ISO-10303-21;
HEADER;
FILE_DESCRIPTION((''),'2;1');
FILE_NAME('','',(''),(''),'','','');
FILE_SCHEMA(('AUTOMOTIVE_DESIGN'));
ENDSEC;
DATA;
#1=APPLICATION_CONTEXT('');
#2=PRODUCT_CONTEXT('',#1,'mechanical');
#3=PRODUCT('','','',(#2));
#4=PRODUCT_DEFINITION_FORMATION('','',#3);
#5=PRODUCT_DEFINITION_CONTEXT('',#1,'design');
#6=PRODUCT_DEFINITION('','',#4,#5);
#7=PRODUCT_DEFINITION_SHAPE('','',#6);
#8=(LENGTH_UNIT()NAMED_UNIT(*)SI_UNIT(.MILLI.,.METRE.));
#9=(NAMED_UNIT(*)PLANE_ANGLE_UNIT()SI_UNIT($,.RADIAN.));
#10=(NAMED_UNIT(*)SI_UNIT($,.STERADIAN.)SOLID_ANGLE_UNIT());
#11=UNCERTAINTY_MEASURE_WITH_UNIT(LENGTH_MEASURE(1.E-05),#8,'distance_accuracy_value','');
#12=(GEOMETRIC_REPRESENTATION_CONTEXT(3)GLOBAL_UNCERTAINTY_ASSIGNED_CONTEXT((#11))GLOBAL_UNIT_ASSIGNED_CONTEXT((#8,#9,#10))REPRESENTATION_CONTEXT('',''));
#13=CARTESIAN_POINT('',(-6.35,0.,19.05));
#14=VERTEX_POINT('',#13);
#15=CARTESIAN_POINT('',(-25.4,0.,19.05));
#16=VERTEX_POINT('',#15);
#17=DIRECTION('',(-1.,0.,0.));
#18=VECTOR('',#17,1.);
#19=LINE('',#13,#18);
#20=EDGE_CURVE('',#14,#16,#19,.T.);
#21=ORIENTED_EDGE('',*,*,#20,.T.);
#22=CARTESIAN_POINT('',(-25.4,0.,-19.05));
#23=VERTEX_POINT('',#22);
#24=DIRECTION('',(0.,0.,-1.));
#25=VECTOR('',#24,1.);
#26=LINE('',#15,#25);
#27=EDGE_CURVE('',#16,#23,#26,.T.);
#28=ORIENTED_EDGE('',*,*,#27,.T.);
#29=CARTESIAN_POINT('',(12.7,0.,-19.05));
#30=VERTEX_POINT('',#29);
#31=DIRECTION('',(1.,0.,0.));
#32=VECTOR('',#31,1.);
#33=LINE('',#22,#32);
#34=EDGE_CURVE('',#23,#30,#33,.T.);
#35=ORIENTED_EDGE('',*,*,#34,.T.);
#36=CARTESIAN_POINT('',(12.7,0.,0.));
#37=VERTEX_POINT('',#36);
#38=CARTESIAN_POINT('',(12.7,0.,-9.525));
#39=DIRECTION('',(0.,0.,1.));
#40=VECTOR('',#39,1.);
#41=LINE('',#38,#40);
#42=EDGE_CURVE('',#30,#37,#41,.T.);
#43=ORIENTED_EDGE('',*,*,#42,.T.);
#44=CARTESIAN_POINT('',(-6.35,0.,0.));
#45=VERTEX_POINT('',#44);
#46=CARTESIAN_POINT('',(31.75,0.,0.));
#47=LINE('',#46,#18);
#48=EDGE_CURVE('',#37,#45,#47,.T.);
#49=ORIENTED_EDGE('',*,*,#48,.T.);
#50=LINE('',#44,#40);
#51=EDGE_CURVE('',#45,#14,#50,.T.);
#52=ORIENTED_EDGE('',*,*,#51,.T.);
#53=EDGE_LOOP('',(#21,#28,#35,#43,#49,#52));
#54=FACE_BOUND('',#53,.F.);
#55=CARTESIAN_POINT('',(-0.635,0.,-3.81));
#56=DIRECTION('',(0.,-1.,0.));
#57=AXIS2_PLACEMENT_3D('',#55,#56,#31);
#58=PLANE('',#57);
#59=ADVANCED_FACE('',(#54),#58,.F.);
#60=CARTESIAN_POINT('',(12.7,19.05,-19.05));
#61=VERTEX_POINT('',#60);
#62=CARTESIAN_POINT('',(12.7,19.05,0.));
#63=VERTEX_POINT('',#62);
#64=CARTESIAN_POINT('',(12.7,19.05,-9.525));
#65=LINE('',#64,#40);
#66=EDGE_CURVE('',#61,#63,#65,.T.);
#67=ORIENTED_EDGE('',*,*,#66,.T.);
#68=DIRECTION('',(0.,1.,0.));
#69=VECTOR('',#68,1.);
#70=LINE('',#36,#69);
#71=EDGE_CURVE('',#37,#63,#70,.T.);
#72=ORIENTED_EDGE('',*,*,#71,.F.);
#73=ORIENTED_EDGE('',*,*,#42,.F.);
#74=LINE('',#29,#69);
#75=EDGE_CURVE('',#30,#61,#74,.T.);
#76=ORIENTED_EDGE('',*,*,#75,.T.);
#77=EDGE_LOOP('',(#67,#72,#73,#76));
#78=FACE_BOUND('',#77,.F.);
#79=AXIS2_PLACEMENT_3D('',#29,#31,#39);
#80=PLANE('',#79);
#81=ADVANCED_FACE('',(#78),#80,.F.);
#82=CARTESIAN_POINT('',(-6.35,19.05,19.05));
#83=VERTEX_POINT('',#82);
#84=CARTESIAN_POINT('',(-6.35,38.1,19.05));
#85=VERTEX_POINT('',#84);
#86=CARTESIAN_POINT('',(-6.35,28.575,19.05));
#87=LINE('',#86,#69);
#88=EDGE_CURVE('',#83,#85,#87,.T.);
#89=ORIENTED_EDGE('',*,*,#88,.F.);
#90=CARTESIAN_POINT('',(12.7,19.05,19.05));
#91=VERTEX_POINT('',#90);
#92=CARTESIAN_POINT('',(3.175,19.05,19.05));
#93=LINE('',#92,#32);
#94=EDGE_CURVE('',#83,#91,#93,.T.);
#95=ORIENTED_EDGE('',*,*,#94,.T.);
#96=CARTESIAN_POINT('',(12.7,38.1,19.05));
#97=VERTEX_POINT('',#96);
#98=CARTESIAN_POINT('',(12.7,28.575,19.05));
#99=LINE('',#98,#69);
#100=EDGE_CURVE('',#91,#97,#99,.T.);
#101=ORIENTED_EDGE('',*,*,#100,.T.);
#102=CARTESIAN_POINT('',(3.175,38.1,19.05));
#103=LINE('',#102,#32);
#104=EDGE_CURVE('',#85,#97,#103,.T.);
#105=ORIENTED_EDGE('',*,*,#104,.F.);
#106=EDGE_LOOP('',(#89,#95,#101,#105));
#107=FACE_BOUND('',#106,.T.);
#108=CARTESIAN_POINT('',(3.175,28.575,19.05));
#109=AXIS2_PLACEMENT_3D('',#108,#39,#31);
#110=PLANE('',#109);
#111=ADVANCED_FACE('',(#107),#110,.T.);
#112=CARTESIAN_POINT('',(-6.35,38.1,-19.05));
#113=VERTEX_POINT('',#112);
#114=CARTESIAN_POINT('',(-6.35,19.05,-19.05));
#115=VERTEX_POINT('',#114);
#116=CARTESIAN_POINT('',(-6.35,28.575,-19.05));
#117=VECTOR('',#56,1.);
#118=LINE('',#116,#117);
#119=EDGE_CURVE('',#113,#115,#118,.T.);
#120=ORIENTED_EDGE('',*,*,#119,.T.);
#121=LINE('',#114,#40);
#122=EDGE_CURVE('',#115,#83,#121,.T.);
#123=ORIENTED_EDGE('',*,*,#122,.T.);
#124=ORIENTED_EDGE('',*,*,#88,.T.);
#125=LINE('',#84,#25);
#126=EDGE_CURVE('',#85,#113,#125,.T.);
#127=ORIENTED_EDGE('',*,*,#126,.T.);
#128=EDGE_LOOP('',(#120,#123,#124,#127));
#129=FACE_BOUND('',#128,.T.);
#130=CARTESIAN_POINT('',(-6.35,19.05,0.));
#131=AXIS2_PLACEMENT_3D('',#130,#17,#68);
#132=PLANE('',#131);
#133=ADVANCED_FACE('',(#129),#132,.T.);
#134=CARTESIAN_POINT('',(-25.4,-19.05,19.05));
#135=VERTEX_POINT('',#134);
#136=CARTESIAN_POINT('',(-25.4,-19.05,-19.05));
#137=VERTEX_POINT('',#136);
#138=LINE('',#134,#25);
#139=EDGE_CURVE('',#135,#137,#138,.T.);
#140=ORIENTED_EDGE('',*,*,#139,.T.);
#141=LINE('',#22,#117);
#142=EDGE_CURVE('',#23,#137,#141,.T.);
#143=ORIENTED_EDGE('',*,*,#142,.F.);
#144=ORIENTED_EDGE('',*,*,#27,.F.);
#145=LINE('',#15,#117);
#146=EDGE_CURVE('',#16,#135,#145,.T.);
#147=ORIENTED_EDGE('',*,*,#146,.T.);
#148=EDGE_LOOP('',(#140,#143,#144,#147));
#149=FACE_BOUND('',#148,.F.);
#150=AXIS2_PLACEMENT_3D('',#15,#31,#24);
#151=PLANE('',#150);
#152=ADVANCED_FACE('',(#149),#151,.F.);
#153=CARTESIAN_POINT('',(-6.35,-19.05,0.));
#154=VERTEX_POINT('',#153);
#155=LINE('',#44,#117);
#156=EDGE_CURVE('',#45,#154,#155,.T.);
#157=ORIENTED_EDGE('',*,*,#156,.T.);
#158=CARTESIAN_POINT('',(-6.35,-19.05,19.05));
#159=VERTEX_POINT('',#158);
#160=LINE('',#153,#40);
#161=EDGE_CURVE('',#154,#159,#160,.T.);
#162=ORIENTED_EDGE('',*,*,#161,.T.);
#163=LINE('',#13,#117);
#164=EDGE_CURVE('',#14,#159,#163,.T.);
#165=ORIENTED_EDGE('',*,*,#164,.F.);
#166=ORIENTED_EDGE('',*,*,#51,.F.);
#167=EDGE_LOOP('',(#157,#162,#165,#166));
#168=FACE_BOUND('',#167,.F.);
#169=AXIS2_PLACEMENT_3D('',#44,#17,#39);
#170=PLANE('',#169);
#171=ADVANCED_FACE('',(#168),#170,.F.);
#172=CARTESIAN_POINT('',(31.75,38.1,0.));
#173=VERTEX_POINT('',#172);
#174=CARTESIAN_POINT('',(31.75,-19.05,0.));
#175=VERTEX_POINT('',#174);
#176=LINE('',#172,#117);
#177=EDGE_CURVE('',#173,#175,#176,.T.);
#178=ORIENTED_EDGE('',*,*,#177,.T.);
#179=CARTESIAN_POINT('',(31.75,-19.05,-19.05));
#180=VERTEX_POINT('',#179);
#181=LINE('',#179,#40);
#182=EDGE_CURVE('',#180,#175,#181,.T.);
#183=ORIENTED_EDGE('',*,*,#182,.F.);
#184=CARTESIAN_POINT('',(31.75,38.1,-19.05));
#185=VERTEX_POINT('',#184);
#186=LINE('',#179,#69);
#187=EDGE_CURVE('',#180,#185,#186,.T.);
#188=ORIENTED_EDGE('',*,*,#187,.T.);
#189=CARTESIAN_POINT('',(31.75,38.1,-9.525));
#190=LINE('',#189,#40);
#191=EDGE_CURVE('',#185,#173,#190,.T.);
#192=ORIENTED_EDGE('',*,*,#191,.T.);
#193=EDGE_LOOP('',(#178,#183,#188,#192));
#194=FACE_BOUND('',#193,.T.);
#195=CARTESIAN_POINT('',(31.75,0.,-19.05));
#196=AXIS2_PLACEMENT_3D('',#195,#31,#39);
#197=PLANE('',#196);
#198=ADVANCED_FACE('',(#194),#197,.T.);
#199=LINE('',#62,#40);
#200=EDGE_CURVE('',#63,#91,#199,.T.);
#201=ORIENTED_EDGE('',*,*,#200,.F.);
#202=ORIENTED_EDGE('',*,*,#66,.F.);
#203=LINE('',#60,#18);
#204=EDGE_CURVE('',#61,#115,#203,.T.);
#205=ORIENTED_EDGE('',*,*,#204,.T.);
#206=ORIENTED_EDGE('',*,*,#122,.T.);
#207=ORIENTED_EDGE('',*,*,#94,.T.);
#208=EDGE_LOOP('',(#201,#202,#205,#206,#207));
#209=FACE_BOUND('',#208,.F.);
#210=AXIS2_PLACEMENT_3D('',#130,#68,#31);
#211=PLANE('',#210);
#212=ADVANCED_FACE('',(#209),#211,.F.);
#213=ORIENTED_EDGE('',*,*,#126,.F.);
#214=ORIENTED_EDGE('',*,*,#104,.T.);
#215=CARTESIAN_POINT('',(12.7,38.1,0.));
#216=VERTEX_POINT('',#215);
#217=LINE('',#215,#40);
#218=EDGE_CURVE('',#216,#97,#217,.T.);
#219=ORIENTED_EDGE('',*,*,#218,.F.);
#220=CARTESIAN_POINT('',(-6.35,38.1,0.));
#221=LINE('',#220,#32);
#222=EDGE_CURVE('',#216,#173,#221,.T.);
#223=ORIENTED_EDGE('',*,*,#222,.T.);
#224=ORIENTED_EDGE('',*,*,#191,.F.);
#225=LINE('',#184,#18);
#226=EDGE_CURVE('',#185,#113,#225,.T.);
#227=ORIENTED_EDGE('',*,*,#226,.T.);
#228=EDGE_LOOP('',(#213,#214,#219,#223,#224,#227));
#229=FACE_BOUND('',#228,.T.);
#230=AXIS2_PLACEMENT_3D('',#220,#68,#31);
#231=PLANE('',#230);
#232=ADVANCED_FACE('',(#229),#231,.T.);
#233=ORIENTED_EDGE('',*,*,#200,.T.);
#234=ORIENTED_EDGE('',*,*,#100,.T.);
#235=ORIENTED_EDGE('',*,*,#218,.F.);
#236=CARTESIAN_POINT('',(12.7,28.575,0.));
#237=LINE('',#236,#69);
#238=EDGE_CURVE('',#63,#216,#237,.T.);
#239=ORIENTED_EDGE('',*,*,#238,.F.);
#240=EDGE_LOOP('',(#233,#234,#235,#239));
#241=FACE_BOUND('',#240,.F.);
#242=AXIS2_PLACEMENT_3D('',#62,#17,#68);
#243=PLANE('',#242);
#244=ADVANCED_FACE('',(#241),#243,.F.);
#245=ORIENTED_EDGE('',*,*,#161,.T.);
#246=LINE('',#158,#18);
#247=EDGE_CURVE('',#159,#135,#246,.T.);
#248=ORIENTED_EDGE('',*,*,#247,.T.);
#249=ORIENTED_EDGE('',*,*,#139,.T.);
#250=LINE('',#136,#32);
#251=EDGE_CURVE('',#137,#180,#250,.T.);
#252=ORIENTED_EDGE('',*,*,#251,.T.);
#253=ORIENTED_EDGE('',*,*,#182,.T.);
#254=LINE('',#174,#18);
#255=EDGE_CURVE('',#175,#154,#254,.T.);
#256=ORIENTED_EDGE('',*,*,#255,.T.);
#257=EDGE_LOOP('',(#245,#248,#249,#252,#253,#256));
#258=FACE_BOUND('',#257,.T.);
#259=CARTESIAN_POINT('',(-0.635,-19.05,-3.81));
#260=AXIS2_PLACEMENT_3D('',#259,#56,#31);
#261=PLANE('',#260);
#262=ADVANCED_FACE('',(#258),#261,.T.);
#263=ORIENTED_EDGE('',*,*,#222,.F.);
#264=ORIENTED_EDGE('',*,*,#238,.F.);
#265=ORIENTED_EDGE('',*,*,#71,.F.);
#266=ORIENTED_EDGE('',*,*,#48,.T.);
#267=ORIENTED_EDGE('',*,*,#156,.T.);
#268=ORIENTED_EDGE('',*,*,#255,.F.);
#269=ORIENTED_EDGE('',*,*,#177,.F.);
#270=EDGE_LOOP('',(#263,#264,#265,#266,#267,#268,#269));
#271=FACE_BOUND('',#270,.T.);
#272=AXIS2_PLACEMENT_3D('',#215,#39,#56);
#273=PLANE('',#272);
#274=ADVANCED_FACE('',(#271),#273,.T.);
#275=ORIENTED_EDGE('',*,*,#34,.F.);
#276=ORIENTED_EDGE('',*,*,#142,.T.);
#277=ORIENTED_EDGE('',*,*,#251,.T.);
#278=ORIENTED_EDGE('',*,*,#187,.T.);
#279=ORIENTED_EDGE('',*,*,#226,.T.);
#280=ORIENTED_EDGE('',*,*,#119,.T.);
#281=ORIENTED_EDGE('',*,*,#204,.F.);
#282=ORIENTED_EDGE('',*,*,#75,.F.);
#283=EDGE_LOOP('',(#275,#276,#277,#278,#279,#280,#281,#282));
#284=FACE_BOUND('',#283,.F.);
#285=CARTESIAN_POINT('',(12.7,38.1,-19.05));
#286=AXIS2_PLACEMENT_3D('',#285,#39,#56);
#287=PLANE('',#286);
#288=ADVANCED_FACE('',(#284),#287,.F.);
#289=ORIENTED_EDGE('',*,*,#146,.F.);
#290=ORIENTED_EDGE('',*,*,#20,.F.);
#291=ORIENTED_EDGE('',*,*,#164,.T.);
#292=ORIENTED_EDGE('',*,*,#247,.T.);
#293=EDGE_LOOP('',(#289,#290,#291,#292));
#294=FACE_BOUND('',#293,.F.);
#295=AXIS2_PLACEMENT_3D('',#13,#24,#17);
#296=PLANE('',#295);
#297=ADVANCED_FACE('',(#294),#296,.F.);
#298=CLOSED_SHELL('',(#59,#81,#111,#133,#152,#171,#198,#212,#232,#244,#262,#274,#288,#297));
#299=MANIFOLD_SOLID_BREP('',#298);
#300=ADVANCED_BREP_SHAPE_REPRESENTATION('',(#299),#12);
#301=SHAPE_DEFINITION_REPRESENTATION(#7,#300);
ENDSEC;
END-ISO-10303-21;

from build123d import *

# Parameters (mm, degrees)
F1_DEPTH = 19.05
F2_W     = 19.05
F2_H     = 19.05
F3_DEPTH = 38.1
F4_W     = 19.05
F4_H     = 19.05
F5_DEPTH = 19.05
F6_W     = 19.05
F6_H     = 19.05
F7_DEPTH = 19.05


with BuildPart() as f1:
    # F0 (on Front) → F1 (new body)
    with BuildSketch(Plane.XZ):
        Polygon((-25.4, 19.05), (-25.4, -19.05), (31.75, -19.05), (31.75, 0), (-6.35, 0), (-6.35, 19.05), align=None)
    extrude(amount=F1_DEPTH)

    # F2 (on face) → F3 (join)
    with BuildSketch(Plane(origin=(0, 0, 0), x_dir=(-1, 0, 0), z_dir=(0, 1, 0))):
        with Locations((-22.225, -9.525)):
            Rectangle(F2_W, F2_H)
    extrude(amount=F3_DEPTH)

    # F4 (on face) → F5 (join)
    with BuildSketch(Plane(origin=(12.7, 0, 0), x_dir=(0, -1, 0), z_dir=(-1, 0, 0))):
        with Locations((-28.575, -9.525)):
            Rectangle(F4_W, F4_H)
    extrude(amount=F5_DEPTH)

    # F6 (on face) → F7 (join)
    with BuildSketch(Plane.XY):
        with Locations((3.175, 28.575)):
            Rectangle(F6_W, F6_H)
    extrude(amount=F7_DEPTH)


solid = f1.part
